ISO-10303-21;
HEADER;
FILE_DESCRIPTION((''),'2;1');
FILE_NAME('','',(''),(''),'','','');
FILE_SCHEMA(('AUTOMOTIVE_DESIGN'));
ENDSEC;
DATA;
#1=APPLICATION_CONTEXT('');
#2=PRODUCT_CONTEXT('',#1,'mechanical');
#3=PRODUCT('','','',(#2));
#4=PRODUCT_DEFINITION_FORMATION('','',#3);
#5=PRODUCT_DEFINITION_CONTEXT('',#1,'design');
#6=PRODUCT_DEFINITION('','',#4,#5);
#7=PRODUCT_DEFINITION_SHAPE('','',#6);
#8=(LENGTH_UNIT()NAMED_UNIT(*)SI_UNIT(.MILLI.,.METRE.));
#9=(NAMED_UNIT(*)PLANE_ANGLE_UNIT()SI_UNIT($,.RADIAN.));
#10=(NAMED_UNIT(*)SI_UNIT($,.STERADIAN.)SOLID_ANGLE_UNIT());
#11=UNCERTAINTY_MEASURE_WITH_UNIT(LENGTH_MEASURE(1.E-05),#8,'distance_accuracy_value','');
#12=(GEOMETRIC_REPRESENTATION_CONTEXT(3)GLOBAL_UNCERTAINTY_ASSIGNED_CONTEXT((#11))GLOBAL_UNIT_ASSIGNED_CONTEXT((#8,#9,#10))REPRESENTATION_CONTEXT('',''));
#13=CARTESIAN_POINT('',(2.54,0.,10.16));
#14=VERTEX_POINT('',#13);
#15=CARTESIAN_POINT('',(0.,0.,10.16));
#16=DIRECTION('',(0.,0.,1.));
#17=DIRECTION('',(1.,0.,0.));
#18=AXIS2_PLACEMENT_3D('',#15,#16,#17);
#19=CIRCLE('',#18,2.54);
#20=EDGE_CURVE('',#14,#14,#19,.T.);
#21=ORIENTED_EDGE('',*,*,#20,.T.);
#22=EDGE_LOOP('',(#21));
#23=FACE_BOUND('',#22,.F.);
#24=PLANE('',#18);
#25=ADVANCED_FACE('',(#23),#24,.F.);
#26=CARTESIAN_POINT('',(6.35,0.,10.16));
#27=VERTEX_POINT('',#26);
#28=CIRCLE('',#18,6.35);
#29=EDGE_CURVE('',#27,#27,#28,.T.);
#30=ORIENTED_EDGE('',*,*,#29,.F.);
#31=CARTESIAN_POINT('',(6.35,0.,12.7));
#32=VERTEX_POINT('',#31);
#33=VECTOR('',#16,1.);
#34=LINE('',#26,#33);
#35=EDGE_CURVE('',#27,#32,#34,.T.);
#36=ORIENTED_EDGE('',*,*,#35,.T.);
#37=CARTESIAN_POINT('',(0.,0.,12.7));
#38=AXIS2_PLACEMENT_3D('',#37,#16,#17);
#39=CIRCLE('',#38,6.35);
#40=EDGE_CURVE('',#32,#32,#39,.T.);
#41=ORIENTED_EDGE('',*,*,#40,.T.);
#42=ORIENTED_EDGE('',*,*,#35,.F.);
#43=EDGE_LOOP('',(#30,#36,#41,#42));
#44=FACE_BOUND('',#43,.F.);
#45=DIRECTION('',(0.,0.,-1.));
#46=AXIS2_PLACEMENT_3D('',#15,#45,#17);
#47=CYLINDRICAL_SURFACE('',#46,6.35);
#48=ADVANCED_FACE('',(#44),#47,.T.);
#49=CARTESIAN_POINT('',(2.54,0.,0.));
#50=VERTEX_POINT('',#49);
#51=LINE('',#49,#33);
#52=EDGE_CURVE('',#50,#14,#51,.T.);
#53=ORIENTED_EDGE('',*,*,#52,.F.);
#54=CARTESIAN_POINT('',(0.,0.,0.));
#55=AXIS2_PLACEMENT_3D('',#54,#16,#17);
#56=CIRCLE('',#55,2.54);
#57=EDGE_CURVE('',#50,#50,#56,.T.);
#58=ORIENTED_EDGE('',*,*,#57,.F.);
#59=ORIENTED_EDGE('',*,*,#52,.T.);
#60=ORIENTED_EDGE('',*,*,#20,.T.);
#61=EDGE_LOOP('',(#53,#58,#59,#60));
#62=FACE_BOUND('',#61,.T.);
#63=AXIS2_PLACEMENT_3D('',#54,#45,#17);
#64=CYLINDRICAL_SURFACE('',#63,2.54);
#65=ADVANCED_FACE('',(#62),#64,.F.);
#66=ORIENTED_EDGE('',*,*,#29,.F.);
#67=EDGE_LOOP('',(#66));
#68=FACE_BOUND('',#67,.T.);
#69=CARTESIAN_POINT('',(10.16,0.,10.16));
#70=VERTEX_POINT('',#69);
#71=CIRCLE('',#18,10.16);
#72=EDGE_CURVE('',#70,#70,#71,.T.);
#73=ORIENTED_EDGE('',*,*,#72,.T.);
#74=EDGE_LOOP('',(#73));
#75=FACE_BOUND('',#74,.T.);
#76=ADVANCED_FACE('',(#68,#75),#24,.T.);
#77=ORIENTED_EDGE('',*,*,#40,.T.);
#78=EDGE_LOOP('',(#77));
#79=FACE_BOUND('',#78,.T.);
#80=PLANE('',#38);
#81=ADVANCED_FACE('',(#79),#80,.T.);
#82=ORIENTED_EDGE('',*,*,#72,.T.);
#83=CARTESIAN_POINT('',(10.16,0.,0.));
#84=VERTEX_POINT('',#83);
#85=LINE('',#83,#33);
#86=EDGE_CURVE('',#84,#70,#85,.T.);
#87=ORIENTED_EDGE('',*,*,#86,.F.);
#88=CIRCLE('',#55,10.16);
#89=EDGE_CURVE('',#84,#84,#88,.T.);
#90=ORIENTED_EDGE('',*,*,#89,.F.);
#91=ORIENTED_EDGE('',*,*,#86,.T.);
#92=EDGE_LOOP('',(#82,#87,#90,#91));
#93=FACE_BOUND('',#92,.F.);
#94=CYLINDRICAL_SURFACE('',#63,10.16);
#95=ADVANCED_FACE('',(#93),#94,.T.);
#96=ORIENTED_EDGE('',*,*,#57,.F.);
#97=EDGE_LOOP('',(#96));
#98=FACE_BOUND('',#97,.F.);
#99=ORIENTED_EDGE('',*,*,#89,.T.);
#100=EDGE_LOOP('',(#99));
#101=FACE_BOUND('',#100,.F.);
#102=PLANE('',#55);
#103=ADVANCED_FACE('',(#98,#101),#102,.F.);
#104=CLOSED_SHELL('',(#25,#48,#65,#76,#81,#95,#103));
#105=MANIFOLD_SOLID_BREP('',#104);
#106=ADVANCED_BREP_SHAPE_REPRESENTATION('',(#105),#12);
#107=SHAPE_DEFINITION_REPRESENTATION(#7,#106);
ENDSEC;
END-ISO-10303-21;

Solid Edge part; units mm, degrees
sketch "Sketch1" plane through (0, 0, 0) normal (0, 0, 1) x (1, 0, 0)
  circle A0 centre (0, 0) radius 10.16
  circle A1 centre (0, 0) radius 2.54
extrude "Protrusion1" add sketch "Sketch1" along normal blind 10.16
sketch "Sketch2" plane through (0, 0, 10.16) normal (0, 0, 1) x (1, 0, 0)
  circle A0 centre (0, 0) radius 6.35
extrude "ExtrudedProtrusion_3" add sketch "Sketch2" along normal blind 2.54
